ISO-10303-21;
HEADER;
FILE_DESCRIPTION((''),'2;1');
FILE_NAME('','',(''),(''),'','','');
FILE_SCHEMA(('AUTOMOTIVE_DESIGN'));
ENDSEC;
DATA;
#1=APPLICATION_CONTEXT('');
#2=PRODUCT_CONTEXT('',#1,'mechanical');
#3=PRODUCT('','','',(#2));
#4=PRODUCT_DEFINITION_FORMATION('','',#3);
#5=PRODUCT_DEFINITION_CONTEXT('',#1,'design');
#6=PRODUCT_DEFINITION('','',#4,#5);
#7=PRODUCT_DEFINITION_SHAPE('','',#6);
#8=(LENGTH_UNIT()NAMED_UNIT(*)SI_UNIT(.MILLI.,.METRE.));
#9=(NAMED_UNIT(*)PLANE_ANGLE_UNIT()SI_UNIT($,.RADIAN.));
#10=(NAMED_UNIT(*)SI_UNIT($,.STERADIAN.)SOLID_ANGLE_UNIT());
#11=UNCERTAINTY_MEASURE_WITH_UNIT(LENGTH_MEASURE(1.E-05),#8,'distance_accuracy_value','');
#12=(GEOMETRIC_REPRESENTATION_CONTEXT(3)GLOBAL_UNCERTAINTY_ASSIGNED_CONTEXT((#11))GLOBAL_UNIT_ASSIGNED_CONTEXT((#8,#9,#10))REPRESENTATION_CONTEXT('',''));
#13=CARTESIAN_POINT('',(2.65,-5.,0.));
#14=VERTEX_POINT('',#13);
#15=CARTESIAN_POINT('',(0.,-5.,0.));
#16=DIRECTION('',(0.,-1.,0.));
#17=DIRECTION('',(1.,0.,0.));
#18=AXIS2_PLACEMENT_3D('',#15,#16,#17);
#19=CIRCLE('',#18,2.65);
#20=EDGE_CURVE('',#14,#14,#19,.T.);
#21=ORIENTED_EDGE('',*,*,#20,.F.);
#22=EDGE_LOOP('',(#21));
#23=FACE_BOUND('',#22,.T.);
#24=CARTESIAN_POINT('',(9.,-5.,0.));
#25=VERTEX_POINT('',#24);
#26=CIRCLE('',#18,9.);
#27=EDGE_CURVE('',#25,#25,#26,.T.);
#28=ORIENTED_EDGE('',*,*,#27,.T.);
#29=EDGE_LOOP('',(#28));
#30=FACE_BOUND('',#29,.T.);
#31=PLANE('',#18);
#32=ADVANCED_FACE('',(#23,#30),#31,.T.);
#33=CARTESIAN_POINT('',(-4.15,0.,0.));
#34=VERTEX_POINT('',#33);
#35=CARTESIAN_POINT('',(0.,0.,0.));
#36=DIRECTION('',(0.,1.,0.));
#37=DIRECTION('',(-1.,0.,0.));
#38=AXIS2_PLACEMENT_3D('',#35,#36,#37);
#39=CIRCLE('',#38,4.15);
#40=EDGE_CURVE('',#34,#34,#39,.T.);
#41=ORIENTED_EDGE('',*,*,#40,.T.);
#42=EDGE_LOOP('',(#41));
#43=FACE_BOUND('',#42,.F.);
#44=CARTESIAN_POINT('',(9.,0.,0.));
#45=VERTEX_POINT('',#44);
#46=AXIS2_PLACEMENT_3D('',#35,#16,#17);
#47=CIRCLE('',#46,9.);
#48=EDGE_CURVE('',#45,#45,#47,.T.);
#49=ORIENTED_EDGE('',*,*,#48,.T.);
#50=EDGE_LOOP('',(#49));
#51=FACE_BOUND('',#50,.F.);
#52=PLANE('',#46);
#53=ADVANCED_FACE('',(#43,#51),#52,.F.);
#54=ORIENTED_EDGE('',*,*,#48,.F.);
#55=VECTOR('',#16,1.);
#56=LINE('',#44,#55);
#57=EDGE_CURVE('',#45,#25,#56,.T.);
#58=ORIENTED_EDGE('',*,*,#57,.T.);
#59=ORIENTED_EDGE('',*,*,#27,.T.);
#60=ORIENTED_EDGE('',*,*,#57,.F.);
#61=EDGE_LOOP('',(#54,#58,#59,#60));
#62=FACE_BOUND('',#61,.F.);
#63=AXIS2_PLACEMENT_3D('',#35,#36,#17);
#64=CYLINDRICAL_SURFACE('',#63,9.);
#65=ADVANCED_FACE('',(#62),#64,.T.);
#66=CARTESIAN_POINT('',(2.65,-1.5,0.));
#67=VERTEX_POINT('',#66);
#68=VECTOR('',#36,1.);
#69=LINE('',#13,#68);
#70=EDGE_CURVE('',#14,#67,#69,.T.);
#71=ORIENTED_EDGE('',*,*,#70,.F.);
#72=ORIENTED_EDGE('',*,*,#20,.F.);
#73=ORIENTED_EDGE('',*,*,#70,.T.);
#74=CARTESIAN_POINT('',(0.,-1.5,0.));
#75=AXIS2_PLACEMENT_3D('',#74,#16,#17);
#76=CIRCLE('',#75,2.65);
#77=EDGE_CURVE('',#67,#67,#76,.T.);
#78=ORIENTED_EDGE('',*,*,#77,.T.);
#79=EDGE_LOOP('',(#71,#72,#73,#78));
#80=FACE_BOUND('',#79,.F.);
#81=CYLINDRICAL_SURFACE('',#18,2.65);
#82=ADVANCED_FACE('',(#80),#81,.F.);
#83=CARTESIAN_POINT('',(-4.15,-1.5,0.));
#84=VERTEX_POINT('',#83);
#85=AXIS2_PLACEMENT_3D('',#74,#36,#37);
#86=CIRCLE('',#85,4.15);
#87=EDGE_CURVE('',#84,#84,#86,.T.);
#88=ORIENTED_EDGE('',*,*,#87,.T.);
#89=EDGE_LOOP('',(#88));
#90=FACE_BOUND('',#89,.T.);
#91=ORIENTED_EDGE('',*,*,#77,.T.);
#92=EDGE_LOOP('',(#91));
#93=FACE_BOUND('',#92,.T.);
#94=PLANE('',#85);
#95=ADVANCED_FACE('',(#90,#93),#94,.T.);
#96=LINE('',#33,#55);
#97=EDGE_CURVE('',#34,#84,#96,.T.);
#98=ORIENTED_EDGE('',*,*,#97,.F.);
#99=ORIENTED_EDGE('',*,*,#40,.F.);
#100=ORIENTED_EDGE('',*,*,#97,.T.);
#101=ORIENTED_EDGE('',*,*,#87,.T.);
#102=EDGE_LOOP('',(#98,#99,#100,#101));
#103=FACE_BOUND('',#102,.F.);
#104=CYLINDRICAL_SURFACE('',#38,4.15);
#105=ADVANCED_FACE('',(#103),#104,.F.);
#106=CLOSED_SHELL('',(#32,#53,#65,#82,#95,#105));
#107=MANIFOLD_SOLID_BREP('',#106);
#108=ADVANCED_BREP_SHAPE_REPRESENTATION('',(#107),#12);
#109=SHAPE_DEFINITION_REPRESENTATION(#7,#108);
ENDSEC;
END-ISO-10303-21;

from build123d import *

# Parameters (mm, degrees)
F0_R     = 9
F1_DEPTH = 5
F2_R     = 4.15
F3_DEPTH = 1.5
F4_R     = 2.65
F5_DEPTH = 5.001


with BuildPart() as f1:
    # F0 (on Front) → F1 (new body)
    with BuildSketch(Plane.XZ):
        Circle(F0_R)
    extrude(amount=F1_DEPTH)

    # F2 (on face) → F3 (cut)
    with BuildSketch(Plane(origin=(0, 0, 0), x_dir=(-1, 0, 0), z_dir=(0, 1, 0))):
        Circle(F2_R)
    extrude(amount=-F3_DEPTH, mode=Mode.SUBTRACT)

    # F4 (on face) → F5 (cut, through all)
    with BuildSketch(Plane.XZ.offset(5)):
        Circle(F4_R)
    extrude(amount=-F5_DEPTH, mode=Mode.SUBTRACT)


solid = f1.part
